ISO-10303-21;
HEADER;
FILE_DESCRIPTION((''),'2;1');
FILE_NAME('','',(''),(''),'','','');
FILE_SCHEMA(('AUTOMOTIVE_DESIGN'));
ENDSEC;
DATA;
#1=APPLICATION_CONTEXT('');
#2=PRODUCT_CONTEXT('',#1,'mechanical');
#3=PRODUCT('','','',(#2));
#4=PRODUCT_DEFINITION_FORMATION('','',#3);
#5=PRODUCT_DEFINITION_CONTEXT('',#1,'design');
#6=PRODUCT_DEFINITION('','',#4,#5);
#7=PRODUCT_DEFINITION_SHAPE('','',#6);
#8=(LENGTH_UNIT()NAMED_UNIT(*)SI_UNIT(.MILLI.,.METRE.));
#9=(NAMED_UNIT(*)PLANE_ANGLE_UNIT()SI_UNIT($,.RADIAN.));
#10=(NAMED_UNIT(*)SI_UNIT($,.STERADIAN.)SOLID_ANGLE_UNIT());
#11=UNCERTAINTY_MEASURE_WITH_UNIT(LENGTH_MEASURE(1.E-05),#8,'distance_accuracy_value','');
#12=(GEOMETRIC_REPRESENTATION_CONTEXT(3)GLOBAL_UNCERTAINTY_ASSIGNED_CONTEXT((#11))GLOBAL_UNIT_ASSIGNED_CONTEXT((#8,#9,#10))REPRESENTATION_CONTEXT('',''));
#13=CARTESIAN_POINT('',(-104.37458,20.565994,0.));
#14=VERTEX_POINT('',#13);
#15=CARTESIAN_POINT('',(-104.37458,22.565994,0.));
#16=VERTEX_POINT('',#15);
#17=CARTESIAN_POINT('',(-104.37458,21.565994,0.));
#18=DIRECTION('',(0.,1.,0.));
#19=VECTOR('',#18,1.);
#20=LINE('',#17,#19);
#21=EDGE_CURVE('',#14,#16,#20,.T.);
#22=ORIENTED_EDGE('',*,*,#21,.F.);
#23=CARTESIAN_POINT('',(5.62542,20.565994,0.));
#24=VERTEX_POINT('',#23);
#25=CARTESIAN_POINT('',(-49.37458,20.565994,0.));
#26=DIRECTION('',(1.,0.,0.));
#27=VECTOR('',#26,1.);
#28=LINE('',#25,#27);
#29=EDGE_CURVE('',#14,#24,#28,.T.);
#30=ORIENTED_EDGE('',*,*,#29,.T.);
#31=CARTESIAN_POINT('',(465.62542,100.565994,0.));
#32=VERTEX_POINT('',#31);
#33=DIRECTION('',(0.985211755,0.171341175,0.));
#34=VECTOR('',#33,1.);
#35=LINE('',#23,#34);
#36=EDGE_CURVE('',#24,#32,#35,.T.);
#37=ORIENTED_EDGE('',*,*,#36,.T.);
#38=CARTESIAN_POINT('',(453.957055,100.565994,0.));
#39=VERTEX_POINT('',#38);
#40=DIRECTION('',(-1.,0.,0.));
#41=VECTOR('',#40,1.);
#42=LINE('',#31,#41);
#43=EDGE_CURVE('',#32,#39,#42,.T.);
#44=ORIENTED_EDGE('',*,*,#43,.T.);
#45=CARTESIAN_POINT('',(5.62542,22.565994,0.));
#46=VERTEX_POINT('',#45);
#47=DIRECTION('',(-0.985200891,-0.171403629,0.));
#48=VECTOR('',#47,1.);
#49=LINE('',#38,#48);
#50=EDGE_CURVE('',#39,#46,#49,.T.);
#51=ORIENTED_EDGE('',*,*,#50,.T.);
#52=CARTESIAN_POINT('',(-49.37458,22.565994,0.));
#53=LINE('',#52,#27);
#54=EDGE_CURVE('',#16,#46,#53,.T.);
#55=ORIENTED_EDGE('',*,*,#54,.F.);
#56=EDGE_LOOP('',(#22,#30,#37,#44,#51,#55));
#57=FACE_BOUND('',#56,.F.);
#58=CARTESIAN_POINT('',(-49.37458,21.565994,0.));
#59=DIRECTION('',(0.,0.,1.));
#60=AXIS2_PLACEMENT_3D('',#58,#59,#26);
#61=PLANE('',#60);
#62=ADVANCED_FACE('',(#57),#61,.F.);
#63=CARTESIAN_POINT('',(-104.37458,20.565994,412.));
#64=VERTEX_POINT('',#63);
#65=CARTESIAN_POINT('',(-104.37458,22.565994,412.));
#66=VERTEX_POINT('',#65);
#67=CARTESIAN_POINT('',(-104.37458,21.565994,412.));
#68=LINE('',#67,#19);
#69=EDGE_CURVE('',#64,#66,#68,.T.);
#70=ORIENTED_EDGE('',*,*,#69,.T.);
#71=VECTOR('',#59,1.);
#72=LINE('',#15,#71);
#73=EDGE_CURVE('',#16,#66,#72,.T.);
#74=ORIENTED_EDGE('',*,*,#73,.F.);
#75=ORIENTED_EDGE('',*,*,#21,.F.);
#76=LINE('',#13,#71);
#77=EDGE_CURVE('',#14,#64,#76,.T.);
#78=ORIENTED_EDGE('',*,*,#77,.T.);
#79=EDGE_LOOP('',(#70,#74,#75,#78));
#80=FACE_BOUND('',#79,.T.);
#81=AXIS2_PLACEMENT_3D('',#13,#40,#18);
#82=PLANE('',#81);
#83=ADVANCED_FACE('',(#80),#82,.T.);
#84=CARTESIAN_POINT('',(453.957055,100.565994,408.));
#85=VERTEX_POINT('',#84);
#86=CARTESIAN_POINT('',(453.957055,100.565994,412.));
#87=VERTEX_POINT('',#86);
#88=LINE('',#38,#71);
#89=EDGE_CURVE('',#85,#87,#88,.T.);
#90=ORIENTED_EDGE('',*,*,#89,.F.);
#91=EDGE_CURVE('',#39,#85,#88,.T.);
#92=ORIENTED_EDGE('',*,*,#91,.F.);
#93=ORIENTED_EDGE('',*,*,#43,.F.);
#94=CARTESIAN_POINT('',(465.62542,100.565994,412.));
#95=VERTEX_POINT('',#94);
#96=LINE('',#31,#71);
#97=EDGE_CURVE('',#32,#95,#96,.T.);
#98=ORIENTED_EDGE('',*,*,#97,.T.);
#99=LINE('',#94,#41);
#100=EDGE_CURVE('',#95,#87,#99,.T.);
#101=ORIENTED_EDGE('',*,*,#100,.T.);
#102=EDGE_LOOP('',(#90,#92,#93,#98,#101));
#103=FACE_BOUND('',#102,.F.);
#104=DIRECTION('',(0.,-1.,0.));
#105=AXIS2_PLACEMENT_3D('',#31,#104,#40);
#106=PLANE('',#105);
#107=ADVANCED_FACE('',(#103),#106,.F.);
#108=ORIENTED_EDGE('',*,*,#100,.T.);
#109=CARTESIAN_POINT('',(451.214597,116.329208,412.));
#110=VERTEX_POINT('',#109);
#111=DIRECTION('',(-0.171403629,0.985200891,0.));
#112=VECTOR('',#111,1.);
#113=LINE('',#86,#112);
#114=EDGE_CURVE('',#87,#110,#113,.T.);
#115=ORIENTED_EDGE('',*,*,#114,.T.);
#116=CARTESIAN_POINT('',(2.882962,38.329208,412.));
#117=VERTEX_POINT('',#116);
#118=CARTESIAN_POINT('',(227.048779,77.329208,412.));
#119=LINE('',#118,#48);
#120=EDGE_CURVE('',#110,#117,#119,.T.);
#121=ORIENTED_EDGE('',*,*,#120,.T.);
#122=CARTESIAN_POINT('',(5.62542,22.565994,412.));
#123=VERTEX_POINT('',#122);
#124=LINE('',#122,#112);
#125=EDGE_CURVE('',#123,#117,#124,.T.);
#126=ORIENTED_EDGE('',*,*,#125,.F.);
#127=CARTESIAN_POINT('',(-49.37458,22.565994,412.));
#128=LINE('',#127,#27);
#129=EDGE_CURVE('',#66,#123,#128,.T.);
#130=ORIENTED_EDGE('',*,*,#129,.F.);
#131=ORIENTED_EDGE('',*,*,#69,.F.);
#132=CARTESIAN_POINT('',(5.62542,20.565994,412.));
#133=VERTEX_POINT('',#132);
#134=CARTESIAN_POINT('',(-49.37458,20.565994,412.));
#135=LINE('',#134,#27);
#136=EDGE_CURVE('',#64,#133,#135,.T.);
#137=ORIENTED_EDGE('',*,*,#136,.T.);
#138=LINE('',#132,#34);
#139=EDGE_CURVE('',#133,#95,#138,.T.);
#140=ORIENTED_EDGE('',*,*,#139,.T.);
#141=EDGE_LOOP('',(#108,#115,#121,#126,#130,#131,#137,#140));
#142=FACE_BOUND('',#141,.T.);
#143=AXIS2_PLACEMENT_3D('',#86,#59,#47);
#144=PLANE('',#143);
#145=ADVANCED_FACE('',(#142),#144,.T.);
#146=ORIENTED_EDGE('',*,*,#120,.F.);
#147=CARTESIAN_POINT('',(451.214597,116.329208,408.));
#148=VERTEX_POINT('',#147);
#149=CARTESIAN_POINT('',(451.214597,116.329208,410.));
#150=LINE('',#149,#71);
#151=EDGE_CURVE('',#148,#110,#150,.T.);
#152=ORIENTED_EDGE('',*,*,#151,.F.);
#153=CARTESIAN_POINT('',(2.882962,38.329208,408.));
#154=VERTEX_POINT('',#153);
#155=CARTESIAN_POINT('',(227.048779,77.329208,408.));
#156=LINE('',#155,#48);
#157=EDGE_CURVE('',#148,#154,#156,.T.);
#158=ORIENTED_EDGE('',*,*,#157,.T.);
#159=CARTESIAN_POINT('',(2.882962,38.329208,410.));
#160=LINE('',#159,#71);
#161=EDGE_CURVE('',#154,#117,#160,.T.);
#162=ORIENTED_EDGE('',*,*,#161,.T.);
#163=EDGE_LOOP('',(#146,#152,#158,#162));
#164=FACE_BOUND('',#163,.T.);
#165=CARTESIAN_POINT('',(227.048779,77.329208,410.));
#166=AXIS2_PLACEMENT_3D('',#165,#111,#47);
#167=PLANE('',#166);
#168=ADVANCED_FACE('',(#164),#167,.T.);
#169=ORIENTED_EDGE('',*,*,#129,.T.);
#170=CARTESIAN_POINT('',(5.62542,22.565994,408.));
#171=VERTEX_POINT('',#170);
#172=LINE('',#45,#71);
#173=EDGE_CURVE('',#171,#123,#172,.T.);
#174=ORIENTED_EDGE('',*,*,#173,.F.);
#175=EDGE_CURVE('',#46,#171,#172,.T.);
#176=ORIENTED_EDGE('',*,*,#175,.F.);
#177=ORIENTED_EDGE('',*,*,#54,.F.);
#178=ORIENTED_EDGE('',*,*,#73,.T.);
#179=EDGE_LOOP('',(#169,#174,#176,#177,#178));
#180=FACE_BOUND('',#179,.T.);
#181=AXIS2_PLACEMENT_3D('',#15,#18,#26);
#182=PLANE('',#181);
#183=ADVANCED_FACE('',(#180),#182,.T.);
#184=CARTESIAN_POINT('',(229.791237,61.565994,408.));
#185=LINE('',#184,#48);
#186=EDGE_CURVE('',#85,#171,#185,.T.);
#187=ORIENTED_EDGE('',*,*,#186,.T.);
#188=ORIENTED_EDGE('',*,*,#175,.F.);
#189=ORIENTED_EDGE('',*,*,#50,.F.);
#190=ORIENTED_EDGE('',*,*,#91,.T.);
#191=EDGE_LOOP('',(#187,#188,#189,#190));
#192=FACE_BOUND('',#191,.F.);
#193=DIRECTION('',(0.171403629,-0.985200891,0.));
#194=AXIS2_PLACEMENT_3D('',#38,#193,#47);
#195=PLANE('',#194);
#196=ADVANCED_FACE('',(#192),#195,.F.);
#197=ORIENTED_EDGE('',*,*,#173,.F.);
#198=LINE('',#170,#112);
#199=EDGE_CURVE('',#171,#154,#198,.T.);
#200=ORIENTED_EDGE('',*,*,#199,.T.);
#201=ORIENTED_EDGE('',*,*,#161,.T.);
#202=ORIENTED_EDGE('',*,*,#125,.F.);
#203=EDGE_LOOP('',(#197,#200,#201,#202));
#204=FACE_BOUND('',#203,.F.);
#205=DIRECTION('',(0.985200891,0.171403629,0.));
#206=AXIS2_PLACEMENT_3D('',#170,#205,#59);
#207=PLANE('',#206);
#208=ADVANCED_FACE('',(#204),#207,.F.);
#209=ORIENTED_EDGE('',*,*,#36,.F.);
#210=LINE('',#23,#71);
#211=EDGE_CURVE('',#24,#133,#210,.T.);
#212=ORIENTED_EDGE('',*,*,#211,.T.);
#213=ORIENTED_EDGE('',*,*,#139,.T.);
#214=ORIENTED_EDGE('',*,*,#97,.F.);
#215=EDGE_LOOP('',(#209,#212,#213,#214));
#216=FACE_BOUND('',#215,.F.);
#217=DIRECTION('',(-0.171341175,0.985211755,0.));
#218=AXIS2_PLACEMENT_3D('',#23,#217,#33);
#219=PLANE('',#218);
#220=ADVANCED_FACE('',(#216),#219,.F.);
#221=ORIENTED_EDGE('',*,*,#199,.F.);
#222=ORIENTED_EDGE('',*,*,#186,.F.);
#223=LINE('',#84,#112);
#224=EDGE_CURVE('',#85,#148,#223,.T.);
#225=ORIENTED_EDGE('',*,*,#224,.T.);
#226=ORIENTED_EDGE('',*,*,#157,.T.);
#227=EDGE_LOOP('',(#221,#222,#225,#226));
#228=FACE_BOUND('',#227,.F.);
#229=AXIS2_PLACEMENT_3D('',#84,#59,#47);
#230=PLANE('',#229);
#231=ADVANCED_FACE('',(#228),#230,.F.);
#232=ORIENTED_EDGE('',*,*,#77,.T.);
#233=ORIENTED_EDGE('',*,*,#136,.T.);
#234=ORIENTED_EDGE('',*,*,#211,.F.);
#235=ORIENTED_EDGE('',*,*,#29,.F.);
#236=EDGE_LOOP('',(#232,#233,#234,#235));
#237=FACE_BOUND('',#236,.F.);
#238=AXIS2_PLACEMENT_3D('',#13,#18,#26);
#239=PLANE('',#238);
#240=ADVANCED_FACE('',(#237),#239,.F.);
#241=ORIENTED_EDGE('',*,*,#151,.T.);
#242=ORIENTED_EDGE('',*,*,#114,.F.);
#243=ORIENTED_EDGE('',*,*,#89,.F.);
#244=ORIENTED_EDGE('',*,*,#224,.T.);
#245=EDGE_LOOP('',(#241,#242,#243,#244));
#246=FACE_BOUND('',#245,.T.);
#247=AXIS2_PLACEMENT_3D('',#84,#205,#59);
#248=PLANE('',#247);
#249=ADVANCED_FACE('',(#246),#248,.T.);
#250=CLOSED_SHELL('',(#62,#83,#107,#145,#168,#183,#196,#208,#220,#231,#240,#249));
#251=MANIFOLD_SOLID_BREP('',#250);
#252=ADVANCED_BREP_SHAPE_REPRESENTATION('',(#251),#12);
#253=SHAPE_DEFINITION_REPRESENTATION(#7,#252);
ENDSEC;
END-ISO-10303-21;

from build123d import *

# Parameters (mm, degrees)
F0_W     = 110
F0_H     = 2
F1_DEPTH = 412
F2_W     = 455.0662100537
F2_H     = 4
F3_DEPTH = 16


with BuildPart() as f1:
    # F0 (on Top) → F1 (new body)
    with BuildSketch(Plane.XY):
        with Locations((-49.3745803833, 21.5659940839)):
            Rectangle(F0_W, F0_H)
        Polygon((5.6254196167, 22.5659940839), (5.6254196167, 20.5659940839), (465.6254196127, 100.5659940832), (453.9570552758, 100.5659940832), align=None)
    extrude(amount=F1_DEPTH)

    # F2 (on face) → F3 (join)
    with BuildSketch(Plane(origin=(-3.6453815607, 20.9530753552, 0), x_dir=(-0.9852008911, -0.1714036294, 0), z_dir=(-0.1714036294, 0.9852008911, 0))):
        with Locations((-236.9431667321, 410)):
            Rectangle(F2_W, F2_H)
    extrude(amount=F3_DEPTH)


solid = f1.part
